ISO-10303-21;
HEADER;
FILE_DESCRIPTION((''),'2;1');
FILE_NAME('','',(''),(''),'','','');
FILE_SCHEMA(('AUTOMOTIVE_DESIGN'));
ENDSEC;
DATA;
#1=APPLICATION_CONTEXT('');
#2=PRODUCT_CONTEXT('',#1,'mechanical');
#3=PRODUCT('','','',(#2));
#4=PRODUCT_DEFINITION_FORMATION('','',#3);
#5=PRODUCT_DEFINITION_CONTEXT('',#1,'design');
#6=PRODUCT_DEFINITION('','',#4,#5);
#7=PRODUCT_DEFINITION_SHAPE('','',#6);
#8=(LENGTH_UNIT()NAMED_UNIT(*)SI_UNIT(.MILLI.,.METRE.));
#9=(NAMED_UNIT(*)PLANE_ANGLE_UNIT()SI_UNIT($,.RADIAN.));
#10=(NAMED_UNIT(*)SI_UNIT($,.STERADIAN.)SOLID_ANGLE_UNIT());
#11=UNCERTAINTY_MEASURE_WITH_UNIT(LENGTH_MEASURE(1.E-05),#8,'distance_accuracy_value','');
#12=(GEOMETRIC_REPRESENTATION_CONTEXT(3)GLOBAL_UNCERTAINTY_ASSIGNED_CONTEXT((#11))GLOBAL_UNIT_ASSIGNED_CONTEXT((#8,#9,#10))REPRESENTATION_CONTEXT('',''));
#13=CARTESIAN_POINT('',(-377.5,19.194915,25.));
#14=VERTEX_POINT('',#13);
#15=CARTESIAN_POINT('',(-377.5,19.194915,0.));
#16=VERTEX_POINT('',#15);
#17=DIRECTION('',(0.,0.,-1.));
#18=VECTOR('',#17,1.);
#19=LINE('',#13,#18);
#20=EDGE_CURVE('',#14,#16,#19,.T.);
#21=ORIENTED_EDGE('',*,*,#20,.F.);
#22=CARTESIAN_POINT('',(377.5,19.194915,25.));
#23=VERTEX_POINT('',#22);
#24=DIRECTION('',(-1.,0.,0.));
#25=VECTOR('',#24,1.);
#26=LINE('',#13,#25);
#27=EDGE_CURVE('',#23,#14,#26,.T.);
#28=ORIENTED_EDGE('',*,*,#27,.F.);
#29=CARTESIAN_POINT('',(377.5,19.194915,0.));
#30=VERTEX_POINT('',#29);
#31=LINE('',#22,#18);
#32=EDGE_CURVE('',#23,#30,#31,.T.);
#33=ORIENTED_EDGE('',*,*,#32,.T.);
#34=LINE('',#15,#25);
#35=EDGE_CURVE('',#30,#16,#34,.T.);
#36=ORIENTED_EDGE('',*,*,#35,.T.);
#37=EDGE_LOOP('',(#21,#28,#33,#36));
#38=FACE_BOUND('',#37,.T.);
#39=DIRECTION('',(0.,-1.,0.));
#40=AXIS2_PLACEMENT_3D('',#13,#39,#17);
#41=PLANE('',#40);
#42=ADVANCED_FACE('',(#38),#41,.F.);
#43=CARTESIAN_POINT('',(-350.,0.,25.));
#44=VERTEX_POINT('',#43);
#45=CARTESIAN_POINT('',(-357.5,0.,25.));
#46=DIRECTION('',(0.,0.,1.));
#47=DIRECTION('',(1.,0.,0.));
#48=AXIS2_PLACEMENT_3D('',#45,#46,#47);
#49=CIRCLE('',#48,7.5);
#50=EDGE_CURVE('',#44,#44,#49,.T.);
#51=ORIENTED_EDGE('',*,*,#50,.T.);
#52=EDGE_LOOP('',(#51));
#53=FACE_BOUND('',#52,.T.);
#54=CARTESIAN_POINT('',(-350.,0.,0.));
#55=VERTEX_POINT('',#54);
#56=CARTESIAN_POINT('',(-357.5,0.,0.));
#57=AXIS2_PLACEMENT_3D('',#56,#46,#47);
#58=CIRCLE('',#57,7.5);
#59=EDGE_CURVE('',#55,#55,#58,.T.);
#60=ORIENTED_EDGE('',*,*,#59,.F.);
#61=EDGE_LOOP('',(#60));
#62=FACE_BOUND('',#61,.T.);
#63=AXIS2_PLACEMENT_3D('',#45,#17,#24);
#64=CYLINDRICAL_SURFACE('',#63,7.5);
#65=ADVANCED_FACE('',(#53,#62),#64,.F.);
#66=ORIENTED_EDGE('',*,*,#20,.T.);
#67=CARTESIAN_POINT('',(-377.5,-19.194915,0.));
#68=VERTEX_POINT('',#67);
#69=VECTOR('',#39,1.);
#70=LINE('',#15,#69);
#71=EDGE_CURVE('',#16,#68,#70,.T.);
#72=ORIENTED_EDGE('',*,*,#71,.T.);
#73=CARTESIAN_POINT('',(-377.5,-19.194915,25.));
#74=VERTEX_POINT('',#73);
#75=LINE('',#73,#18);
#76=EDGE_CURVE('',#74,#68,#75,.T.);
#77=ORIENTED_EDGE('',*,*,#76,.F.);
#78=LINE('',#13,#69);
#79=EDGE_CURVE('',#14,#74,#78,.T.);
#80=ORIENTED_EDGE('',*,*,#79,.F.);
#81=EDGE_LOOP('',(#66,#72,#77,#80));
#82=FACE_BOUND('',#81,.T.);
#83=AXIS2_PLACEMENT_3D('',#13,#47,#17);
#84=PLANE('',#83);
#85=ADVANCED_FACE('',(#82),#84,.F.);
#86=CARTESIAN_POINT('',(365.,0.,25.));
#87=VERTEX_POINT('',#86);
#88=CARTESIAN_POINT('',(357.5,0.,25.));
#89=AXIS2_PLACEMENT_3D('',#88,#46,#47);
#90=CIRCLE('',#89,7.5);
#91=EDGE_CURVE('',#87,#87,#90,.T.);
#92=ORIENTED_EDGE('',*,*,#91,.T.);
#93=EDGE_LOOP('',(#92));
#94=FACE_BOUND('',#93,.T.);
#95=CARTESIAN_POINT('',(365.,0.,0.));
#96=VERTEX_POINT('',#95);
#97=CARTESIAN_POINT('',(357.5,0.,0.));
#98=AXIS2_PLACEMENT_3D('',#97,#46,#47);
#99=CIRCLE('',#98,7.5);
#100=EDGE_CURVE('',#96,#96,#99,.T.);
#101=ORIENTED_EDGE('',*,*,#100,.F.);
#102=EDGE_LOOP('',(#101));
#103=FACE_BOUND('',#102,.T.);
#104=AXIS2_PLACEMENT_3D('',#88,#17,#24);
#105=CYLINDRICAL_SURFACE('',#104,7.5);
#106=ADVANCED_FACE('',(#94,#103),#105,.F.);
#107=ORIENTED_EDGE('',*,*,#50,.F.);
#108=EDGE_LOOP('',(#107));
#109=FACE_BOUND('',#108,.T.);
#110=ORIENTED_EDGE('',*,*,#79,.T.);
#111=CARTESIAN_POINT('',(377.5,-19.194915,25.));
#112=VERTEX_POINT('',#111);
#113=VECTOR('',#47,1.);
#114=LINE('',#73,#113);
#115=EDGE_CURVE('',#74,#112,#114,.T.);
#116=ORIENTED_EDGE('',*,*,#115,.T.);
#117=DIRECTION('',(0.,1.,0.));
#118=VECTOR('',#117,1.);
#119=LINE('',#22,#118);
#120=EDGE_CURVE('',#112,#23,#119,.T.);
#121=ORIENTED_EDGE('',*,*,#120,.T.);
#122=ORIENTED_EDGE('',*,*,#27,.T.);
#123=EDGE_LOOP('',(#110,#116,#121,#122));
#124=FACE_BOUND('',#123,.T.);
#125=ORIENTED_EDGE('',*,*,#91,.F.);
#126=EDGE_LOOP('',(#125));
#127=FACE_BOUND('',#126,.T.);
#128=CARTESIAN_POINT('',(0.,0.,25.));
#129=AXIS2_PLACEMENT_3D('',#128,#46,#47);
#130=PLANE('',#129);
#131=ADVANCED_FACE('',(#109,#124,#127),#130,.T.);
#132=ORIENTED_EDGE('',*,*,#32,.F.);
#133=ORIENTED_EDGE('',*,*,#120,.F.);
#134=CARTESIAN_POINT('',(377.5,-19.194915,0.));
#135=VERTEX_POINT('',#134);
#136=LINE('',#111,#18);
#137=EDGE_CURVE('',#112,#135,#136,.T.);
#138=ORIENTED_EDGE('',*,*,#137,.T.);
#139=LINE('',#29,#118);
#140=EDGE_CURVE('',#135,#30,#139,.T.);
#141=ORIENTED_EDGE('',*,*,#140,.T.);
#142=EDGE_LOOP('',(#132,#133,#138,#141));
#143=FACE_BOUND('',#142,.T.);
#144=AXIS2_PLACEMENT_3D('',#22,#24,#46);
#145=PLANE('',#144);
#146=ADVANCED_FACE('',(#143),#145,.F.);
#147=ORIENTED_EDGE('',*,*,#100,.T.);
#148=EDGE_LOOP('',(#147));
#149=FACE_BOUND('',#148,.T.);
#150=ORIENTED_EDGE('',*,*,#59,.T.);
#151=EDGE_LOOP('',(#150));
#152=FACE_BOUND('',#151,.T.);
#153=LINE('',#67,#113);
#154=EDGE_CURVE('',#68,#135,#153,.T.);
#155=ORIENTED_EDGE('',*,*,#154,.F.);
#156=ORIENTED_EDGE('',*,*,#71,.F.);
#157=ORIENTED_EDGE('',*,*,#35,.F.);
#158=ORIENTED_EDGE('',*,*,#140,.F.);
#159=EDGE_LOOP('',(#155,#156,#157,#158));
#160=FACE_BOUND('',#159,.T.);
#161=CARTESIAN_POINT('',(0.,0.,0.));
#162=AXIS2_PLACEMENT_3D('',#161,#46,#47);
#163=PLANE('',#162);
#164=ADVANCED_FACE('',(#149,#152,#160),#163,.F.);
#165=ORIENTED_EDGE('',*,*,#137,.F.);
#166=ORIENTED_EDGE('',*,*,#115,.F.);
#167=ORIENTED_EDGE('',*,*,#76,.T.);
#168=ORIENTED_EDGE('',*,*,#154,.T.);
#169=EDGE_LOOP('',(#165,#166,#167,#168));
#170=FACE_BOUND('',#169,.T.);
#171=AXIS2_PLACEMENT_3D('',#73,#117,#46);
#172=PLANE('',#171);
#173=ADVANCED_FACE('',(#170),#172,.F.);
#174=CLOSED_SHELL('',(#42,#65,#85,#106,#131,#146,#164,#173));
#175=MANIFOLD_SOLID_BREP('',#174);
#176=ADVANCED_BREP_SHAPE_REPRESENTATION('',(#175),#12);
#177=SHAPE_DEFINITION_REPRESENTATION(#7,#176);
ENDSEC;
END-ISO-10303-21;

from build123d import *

# Parameters (mm, degrees)
SKETCH1_W           = 755
SKETCH1_H           = 38.389830508
SKETCH1_R           = 7.5
BOSS_EXTRUDE1_DEPTH = 25


with BuildPart() as part:
    # Sketch1 → Boss-Extrude1 (new body)
    with BuildSketch(Plane.XY):
        Rectangle(SKETCH1_W, SKETCH1_H)
        with Locations((-357.5, 0)):
            Circle(SKETCH1_R, mode=Mode.SUBTRACT)
        with Locations((357.5, 0)):
            Circle(SKETCH1_R, mode=Mode.SUBTRACT)
    extrude(amount=BOSS_EXTRUDE1_DEPTH)


solid = part.part
